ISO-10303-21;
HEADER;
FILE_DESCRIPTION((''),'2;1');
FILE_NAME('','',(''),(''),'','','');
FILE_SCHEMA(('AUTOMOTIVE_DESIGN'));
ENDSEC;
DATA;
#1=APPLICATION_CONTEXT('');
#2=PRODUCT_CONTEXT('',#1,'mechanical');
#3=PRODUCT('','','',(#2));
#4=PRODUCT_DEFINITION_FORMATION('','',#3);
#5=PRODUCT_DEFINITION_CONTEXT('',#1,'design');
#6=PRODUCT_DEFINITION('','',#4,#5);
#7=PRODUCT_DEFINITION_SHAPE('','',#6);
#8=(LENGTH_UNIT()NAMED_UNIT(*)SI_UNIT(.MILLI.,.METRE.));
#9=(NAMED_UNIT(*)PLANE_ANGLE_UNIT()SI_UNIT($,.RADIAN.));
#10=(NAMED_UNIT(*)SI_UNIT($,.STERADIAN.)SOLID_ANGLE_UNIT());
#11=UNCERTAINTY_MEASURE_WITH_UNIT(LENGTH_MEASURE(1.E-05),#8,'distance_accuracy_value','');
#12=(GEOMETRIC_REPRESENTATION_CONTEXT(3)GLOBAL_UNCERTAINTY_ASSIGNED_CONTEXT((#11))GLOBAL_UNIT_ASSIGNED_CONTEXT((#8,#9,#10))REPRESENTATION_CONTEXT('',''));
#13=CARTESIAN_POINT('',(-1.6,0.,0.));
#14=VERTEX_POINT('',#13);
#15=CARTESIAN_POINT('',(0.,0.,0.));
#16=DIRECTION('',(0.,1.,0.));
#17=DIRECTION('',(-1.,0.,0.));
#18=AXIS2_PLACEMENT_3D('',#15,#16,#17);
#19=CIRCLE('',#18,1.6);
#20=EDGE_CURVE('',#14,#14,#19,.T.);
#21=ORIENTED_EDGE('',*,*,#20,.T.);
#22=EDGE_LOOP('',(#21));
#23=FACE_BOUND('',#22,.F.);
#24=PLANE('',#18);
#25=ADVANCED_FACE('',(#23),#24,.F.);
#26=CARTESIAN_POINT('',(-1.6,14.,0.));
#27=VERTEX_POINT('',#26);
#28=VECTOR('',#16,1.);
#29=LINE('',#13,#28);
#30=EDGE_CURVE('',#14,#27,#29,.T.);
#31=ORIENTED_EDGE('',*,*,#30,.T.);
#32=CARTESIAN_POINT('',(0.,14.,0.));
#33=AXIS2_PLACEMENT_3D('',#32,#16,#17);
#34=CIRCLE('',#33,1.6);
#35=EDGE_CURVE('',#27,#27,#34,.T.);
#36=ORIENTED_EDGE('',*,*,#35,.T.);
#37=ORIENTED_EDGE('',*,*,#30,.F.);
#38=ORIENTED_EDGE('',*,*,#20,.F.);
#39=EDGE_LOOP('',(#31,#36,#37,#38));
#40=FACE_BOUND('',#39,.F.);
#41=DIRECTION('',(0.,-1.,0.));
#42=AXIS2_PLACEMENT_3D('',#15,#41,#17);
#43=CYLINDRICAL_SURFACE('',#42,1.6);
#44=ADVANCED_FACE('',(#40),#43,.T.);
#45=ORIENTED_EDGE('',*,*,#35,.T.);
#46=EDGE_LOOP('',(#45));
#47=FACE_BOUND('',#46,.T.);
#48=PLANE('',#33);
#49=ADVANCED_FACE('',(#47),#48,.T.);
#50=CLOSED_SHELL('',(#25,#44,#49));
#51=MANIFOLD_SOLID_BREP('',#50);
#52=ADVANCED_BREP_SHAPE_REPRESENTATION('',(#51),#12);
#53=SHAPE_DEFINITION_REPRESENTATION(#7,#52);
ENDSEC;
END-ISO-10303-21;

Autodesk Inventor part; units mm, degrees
ref_plane "YZ Plane" through (0, 0, 0) normal (1, 0, 0) x (0, 1, 0)
ref_plane "XZ Plane" through (0, 0, 0) normal (0, 1, 0) x (-1, 0, 0)
ref_plane "XY Plane" through (0, 0, 0) normal (0, 0, 1) x (1, 0, 0)
sketch "Sketch1" plane through (0, 0, 0) normal (0, 1, 0) x (-1, 0, 0)
  circle A0 centre (0, 0) radius 1.6
  dimension "d0" = 3.2
extrude "Extrusion1" add sketch "Sketch1" along normal blind 14
properties part number "Tube 1-8 14L"
